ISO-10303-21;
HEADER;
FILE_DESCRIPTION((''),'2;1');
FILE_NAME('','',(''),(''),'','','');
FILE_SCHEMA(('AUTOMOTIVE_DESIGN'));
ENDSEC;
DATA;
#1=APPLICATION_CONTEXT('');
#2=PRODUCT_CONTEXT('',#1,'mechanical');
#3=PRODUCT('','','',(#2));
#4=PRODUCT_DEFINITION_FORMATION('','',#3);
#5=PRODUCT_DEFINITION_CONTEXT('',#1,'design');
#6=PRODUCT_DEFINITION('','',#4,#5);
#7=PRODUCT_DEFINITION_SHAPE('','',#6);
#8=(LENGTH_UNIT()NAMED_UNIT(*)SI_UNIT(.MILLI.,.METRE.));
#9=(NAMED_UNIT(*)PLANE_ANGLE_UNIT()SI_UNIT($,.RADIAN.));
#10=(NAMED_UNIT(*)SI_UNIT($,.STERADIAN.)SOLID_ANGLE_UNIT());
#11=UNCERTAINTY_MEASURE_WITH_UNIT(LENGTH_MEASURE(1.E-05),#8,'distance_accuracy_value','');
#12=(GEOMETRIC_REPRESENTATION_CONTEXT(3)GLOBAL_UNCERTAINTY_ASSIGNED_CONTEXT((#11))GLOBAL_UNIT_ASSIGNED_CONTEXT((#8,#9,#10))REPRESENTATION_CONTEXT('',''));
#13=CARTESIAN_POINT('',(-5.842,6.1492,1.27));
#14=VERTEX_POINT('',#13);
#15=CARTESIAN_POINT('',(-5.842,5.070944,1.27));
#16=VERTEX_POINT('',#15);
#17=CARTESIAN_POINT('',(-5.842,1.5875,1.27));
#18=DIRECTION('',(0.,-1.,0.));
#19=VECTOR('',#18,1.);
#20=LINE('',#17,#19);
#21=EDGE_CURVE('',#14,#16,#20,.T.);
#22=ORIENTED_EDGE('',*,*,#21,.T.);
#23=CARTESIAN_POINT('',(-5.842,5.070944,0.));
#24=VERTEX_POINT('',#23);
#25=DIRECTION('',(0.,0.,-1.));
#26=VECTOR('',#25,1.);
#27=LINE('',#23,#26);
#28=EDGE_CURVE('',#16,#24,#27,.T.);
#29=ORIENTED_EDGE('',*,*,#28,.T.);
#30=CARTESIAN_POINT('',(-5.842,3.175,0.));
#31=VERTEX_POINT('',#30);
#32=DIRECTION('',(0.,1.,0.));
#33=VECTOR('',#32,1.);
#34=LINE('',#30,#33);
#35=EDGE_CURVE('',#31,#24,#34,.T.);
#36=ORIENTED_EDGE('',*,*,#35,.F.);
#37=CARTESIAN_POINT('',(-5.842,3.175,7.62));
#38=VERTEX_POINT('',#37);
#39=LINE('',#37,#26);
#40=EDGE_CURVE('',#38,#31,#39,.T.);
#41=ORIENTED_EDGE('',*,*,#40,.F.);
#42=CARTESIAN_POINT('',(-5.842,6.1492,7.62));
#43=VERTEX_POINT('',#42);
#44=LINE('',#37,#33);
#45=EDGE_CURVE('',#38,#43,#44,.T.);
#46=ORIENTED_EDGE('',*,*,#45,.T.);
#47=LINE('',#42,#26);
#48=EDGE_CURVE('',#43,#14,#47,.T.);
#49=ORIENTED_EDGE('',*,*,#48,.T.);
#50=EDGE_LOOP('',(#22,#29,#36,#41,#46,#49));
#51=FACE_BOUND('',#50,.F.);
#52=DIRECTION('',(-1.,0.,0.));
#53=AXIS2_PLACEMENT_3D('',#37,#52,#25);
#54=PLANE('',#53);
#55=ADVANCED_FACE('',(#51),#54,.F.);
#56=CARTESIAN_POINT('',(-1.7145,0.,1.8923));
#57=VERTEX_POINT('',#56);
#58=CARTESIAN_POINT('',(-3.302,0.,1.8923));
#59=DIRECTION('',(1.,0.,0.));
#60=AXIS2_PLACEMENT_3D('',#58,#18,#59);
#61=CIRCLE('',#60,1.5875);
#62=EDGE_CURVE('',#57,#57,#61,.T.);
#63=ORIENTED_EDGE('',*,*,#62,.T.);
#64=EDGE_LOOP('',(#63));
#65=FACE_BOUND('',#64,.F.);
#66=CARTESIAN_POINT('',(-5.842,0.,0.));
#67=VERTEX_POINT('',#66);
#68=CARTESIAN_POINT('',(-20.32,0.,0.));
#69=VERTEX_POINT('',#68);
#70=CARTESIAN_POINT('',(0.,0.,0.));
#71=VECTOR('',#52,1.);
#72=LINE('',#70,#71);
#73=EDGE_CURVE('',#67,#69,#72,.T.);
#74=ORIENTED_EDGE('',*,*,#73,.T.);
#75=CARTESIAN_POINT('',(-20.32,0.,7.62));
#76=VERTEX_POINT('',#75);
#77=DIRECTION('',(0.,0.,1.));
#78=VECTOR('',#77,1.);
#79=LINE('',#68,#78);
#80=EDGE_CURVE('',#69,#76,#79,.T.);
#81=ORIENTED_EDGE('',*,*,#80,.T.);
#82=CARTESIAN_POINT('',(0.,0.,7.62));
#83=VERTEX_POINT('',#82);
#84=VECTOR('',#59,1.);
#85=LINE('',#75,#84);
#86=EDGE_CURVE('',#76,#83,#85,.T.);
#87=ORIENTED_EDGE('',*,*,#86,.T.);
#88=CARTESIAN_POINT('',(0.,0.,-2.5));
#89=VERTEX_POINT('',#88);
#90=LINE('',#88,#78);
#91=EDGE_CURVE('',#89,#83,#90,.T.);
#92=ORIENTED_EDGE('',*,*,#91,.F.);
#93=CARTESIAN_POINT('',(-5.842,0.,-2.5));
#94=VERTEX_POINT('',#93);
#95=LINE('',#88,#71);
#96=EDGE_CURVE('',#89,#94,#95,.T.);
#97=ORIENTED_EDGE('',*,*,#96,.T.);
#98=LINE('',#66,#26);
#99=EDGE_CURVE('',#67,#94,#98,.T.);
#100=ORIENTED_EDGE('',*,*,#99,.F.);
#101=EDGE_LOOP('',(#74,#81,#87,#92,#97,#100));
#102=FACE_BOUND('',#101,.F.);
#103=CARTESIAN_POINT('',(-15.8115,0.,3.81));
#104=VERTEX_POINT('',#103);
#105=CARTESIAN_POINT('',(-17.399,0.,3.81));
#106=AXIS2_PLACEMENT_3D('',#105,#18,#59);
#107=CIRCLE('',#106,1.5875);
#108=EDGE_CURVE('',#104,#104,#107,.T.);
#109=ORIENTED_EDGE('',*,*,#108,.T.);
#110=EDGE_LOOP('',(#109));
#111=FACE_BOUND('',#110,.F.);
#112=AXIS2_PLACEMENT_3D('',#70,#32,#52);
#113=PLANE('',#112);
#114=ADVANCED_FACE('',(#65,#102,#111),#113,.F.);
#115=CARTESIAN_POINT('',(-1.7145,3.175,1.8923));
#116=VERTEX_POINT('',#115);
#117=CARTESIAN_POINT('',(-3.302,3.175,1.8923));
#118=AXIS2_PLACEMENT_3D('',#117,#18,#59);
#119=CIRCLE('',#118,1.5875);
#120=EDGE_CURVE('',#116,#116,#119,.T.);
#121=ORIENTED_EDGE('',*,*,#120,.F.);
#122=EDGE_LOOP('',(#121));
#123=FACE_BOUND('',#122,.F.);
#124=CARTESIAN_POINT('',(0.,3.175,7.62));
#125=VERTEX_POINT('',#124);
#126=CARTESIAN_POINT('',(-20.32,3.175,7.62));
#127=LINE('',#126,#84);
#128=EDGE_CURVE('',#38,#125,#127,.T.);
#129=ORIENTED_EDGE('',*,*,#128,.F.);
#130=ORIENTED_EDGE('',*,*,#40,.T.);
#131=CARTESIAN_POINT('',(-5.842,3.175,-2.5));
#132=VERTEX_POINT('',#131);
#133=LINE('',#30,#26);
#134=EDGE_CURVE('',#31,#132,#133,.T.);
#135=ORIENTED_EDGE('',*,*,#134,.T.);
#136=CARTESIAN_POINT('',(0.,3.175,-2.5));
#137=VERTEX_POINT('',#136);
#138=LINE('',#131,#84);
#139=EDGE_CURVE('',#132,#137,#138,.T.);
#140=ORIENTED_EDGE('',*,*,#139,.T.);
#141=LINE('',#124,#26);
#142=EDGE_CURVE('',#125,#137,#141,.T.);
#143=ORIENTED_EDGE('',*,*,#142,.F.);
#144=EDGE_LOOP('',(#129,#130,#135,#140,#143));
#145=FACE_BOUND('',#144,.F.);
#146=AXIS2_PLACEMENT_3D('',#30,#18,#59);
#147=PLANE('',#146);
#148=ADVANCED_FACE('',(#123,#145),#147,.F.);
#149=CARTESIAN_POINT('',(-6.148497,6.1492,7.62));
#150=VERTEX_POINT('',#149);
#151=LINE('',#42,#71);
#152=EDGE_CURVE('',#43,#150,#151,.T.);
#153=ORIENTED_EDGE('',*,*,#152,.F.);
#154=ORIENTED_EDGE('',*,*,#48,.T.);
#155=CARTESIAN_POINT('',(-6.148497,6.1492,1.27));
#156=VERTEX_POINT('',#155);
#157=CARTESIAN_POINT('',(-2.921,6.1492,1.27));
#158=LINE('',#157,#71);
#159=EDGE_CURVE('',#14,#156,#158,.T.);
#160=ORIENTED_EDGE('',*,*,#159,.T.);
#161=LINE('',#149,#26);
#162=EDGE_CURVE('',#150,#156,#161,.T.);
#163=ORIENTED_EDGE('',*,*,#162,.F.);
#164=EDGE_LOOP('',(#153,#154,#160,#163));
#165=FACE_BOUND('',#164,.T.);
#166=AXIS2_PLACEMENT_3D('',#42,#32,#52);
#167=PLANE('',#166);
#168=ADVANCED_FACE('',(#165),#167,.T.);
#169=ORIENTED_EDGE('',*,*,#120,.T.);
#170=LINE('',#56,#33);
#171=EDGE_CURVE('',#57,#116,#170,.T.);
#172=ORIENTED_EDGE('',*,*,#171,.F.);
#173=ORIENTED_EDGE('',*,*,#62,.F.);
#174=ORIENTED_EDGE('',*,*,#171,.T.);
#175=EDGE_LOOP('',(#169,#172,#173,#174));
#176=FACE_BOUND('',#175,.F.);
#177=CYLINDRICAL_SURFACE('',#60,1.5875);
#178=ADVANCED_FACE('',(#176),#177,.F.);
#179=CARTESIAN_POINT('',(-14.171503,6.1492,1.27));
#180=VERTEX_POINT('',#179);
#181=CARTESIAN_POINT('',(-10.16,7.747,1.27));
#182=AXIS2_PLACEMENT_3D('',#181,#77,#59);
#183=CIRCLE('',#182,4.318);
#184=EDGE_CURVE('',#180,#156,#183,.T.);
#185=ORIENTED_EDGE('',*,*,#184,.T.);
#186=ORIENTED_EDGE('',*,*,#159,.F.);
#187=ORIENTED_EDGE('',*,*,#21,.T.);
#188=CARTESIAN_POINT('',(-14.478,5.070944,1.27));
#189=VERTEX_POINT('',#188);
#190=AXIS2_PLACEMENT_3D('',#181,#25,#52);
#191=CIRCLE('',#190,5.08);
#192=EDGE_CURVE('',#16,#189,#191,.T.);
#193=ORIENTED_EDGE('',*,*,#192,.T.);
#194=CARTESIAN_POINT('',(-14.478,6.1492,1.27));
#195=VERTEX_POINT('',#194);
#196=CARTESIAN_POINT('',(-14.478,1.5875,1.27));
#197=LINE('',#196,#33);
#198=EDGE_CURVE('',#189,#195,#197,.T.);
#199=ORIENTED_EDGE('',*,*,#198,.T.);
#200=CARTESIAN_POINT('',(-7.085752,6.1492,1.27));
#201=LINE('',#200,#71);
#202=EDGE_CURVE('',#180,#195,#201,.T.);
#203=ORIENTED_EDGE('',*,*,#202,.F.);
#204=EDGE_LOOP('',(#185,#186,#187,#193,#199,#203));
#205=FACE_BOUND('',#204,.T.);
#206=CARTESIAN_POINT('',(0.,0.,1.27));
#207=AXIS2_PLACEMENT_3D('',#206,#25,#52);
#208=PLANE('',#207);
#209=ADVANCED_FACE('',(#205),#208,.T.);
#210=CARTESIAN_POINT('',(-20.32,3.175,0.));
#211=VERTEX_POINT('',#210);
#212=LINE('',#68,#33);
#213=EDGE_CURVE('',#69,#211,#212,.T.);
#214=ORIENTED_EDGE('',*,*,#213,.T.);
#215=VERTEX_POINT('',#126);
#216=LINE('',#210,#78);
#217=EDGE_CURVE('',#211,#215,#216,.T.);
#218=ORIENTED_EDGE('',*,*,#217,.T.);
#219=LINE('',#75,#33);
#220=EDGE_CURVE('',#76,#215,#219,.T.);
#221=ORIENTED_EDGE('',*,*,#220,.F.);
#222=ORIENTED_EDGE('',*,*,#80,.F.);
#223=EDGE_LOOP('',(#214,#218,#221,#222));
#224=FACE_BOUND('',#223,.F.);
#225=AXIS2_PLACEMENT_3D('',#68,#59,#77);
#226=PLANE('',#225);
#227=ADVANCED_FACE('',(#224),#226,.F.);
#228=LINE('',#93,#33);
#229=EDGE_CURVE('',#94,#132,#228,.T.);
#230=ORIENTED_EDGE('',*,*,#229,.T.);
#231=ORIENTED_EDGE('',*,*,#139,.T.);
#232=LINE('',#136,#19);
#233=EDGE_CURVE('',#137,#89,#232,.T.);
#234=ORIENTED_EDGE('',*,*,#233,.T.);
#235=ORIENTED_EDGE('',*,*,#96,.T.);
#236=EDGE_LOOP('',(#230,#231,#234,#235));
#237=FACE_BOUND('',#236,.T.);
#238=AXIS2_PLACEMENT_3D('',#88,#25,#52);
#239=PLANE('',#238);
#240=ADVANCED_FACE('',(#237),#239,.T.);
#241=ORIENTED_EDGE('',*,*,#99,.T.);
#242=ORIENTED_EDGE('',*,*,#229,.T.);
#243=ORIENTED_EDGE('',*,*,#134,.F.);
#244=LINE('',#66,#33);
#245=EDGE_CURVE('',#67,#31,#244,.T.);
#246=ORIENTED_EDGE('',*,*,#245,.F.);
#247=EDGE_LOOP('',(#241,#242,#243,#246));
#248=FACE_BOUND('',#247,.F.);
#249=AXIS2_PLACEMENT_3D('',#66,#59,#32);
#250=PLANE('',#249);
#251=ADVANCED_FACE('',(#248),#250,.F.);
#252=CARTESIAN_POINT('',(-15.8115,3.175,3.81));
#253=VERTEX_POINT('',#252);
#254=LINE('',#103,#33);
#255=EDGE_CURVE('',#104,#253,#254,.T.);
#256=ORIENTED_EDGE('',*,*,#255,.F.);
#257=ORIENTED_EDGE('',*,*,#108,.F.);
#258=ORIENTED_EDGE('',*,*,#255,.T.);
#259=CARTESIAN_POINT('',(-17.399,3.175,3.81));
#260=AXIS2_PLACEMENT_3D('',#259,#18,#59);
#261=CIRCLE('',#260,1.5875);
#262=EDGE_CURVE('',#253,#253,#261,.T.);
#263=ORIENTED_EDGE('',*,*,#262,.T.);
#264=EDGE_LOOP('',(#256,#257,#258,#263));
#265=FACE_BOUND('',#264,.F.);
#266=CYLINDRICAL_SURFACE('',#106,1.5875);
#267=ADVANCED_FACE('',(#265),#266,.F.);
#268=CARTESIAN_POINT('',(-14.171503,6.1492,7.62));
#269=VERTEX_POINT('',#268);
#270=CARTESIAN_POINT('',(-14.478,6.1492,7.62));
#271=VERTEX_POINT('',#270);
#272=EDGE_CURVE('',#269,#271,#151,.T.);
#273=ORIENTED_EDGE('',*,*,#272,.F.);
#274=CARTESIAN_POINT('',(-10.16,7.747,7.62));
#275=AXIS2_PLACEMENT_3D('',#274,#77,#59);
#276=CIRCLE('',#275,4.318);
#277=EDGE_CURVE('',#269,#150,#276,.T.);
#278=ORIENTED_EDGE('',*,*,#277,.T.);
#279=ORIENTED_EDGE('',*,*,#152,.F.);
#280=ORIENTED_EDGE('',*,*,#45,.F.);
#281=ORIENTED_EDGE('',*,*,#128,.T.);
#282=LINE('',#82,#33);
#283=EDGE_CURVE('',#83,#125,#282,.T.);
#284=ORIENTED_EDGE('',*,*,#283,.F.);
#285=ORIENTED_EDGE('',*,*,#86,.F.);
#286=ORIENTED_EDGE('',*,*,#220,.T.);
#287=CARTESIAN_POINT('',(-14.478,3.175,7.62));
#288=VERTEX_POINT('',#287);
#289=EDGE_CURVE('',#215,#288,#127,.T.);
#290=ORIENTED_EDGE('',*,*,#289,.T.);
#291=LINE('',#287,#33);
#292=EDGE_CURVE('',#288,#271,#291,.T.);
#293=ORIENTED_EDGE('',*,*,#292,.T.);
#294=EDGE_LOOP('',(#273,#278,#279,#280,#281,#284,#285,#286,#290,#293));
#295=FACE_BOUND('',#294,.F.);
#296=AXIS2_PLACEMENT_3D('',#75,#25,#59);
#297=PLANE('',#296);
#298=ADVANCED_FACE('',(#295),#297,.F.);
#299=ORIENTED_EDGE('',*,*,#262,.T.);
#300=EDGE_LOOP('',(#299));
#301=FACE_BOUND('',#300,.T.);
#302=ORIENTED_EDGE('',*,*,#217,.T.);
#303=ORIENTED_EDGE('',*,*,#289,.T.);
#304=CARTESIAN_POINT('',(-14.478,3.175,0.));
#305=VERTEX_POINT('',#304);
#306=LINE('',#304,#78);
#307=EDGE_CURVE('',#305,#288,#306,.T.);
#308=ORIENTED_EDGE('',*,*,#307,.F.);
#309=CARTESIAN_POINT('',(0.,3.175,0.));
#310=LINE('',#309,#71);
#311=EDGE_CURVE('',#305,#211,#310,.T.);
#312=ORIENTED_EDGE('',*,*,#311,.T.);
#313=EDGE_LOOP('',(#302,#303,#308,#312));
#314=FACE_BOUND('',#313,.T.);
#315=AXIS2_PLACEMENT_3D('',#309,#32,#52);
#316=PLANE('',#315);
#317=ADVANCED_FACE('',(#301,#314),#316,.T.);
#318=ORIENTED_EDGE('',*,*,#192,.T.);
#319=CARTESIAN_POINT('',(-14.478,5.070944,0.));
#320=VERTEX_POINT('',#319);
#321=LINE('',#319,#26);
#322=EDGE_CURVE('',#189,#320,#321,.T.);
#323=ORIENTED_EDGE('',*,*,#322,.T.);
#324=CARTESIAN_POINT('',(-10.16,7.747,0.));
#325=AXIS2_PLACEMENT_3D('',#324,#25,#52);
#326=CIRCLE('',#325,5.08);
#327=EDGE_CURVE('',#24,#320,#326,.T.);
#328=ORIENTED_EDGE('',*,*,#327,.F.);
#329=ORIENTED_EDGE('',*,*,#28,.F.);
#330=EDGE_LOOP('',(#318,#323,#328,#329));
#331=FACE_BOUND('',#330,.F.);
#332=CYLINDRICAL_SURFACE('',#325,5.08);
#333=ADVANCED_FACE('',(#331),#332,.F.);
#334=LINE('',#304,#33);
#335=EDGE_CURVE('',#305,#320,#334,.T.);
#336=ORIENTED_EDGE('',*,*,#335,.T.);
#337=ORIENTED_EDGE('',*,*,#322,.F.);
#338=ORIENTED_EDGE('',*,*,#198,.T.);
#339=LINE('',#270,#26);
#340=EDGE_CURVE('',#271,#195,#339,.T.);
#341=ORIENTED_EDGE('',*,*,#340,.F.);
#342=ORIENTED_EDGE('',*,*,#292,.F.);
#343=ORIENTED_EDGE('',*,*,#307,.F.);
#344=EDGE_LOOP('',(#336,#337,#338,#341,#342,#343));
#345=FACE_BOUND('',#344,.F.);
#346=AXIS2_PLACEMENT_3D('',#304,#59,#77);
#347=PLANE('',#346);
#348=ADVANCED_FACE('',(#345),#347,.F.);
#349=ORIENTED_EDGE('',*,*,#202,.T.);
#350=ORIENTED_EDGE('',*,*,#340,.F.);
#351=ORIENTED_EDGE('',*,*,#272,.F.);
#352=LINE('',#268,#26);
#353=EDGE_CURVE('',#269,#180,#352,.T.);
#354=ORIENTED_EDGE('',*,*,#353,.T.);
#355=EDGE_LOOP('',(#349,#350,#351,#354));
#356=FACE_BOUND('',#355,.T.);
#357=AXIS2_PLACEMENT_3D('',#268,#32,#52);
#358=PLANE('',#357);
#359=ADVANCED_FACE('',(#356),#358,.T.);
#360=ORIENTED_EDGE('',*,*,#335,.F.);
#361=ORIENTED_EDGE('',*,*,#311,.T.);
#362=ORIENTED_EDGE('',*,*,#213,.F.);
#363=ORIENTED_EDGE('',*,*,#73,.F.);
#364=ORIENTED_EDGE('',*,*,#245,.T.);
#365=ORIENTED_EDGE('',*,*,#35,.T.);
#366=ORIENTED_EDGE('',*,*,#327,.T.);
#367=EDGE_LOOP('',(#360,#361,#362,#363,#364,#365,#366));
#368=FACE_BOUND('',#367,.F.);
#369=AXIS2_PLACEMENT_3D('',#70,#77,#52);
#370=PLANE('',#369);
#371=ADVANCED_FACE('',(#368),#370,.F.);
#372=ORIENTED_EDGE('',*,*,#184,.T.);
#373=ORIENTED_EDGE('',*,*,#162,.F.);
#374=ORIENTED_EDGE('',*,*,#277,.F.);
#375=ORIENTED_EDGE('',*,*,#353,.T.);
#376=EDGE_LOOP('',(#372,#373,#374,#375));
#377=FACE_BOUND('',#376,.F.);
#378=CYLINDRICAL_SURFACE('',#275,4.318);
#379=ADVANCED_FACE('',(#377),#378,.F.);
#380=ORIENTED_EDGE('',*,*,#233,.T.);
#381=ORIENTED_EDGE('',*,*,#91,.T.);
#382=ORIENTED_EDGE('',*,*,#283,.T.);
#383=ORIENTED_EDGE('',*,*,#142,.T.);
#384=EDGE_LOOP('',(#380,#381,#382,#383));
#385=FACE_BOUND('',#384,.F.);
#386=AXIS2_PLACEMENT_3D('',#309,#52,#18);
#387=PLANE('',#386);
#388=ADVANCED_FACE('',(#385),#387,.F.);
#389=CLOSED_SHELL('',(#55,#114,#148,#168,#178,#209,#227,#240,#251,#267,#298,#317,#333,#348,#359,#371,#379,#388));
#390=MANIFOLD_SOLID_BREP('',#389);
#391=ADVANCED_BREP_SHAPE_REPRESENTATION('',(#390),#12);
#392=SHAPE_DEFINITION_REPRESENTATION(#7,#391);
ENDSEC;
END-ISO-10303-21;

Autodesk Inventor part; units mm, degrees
ref_plane "YZ Plane" through (0, 0, 0) normal (1, 0, 0) x (0, 1, 0)
ref_plane "XZ Plane" through (0, 0, 0) normal (0, 1, 0) x (-1, 0, 0)
ref_plane "XY Plane" through (0, 0, 0) normal (0, 0, 1) x (1, 0, 0)
sketch "Sketch1" plane through (0, 0, 0) normal (0, 1, 0) x (-1, 0, 0)
  line L0 (0, 0) -> (20.32, 0)
  line L1 (20.32, 0) -> (20.32, 7.62)
  line L2 (20.32, 7.62) -> (0, 7.62)
  line L3 (0, 7.62) -> (0, 0)
  dimension "d0" = 20.32
  dimension "d1" = 7.62
extrude "Extrusion1" add sketch "Sketch1" along normal blind 3.175
sketch "Sketch2" plane through (0, 3.175, 0) normal (0, 1, 0) x (1, 0, 0)
  line L0 (0, 0) -> (-20.32, 0) projected
  line L1 (-20.32, 0) -> (-20.32, -7.62) projected
  line L2 (-20.32, -7.62) -> (0, -7.62) projected
  line L3 (-14.478, -7.62) -> (-5.842, -7.62)
  line L4 (-5.842, -7.62) -> (-5.842, 0)
  line L5 (-5.842, 0) -> (-14.478, 0)
  line L6 (-14.478, 0) -> (-14.478, -7.62)
  dimension "d4" = 8.636
  dimension "d5" = 5.842
extrude "Extrusion2" add sketch "Sketch2" along normal blind 7.112 contours L4 L2 L6 L0
sketch "Sketch3" plane through (-20.32, 0, 7.62) normal (0, 0, 1) x (1, 0, 0)
  line L0 (14.478, 3.175) -> (14.478, 10.287) projected
  line L1 (5.842, 10.287) -> (14.478, 10.287) projected
  circle A0 centre (10.16, 7.747) radius 4.318
  line L2 (5.842, 10.287) -> (14.478, 10.287)
  line L3 (14.478, 10.287) -> (14.478, 7.747)
  line L4 (14.478, 7.747) -> (5.842, 7.747)
  line L5 (5.842, 7.747) -> (5.842, 10.287)
  line L6 (5.842, 7.747) -> (14.478, 7.747)
  line L7 (14.478, 7.747) -> (14.478, 6.1492)
  line L8 (14.478, 6.1492) -> (5.842, 6.1492)
  line L9 (5.842, 6.1492) -> (5.842, 7.747)
  dimension "d8" = 8.636
  dimension "d9" = 2.54
extrude "Extrusion3" cut sketch "Sketch3" against normal up to surface (7.62 mm away)
sketch "Sketch5" plane through (0, 0, 0) normal (0, 0, -1) x (-1, 0, 0)
  arc A0 (6.1485, 6.1492) -> (14.1715, 6.1492) centre (10.16, 7.747) ccw projected
  circle A1 centre (10.16, 7.747) radius 5.08
  dimension "d21" = 10.16
extrude "Extrusion5" cut sketch "Sketch5" against normal blind 1.27
sketch "Sketch4" plane through (0, 0, 0) normal (0, -1, 0) x (1, 0, 0)
  line L0 (-20.32, 7.62) -> (0, 7.62) projected
  line L1 (-20.32, 0) -> (-20.32, 7.62) projected
  circle A0 centre (-17.399, 3.81) radius 1.5875
  circle A1 centre (-3.302, 1.8923) radius 1.5875
  dimension "d12" = 3.175
  dimension "d14" = 3.81
  dimension "d15" = 2.921
  dimension "d16" = 3.175
  dimension "d26" = 14.097
  dimension "d27" = 1.9177
extrude "Extrusion4" cut sketch "Sketch4" against normal up to next
sketch "Sketch6" plane through (0, 0, 0) normal (0, 0, -1) x (-1, 0, 0)
  line L0 (5.842, 3.175) -> (0, 3.175)
  line L1 (0, 3.175) -> (0, 0)
  line L2 (0, 0) -> (5.842, 0)
  line L3 (5.842, 0) -> (5.842, 3.175)
extrude "Extrusion6" add sketch "Sketch6" along normal blind 2.5
properties part number "Gbase 3"
